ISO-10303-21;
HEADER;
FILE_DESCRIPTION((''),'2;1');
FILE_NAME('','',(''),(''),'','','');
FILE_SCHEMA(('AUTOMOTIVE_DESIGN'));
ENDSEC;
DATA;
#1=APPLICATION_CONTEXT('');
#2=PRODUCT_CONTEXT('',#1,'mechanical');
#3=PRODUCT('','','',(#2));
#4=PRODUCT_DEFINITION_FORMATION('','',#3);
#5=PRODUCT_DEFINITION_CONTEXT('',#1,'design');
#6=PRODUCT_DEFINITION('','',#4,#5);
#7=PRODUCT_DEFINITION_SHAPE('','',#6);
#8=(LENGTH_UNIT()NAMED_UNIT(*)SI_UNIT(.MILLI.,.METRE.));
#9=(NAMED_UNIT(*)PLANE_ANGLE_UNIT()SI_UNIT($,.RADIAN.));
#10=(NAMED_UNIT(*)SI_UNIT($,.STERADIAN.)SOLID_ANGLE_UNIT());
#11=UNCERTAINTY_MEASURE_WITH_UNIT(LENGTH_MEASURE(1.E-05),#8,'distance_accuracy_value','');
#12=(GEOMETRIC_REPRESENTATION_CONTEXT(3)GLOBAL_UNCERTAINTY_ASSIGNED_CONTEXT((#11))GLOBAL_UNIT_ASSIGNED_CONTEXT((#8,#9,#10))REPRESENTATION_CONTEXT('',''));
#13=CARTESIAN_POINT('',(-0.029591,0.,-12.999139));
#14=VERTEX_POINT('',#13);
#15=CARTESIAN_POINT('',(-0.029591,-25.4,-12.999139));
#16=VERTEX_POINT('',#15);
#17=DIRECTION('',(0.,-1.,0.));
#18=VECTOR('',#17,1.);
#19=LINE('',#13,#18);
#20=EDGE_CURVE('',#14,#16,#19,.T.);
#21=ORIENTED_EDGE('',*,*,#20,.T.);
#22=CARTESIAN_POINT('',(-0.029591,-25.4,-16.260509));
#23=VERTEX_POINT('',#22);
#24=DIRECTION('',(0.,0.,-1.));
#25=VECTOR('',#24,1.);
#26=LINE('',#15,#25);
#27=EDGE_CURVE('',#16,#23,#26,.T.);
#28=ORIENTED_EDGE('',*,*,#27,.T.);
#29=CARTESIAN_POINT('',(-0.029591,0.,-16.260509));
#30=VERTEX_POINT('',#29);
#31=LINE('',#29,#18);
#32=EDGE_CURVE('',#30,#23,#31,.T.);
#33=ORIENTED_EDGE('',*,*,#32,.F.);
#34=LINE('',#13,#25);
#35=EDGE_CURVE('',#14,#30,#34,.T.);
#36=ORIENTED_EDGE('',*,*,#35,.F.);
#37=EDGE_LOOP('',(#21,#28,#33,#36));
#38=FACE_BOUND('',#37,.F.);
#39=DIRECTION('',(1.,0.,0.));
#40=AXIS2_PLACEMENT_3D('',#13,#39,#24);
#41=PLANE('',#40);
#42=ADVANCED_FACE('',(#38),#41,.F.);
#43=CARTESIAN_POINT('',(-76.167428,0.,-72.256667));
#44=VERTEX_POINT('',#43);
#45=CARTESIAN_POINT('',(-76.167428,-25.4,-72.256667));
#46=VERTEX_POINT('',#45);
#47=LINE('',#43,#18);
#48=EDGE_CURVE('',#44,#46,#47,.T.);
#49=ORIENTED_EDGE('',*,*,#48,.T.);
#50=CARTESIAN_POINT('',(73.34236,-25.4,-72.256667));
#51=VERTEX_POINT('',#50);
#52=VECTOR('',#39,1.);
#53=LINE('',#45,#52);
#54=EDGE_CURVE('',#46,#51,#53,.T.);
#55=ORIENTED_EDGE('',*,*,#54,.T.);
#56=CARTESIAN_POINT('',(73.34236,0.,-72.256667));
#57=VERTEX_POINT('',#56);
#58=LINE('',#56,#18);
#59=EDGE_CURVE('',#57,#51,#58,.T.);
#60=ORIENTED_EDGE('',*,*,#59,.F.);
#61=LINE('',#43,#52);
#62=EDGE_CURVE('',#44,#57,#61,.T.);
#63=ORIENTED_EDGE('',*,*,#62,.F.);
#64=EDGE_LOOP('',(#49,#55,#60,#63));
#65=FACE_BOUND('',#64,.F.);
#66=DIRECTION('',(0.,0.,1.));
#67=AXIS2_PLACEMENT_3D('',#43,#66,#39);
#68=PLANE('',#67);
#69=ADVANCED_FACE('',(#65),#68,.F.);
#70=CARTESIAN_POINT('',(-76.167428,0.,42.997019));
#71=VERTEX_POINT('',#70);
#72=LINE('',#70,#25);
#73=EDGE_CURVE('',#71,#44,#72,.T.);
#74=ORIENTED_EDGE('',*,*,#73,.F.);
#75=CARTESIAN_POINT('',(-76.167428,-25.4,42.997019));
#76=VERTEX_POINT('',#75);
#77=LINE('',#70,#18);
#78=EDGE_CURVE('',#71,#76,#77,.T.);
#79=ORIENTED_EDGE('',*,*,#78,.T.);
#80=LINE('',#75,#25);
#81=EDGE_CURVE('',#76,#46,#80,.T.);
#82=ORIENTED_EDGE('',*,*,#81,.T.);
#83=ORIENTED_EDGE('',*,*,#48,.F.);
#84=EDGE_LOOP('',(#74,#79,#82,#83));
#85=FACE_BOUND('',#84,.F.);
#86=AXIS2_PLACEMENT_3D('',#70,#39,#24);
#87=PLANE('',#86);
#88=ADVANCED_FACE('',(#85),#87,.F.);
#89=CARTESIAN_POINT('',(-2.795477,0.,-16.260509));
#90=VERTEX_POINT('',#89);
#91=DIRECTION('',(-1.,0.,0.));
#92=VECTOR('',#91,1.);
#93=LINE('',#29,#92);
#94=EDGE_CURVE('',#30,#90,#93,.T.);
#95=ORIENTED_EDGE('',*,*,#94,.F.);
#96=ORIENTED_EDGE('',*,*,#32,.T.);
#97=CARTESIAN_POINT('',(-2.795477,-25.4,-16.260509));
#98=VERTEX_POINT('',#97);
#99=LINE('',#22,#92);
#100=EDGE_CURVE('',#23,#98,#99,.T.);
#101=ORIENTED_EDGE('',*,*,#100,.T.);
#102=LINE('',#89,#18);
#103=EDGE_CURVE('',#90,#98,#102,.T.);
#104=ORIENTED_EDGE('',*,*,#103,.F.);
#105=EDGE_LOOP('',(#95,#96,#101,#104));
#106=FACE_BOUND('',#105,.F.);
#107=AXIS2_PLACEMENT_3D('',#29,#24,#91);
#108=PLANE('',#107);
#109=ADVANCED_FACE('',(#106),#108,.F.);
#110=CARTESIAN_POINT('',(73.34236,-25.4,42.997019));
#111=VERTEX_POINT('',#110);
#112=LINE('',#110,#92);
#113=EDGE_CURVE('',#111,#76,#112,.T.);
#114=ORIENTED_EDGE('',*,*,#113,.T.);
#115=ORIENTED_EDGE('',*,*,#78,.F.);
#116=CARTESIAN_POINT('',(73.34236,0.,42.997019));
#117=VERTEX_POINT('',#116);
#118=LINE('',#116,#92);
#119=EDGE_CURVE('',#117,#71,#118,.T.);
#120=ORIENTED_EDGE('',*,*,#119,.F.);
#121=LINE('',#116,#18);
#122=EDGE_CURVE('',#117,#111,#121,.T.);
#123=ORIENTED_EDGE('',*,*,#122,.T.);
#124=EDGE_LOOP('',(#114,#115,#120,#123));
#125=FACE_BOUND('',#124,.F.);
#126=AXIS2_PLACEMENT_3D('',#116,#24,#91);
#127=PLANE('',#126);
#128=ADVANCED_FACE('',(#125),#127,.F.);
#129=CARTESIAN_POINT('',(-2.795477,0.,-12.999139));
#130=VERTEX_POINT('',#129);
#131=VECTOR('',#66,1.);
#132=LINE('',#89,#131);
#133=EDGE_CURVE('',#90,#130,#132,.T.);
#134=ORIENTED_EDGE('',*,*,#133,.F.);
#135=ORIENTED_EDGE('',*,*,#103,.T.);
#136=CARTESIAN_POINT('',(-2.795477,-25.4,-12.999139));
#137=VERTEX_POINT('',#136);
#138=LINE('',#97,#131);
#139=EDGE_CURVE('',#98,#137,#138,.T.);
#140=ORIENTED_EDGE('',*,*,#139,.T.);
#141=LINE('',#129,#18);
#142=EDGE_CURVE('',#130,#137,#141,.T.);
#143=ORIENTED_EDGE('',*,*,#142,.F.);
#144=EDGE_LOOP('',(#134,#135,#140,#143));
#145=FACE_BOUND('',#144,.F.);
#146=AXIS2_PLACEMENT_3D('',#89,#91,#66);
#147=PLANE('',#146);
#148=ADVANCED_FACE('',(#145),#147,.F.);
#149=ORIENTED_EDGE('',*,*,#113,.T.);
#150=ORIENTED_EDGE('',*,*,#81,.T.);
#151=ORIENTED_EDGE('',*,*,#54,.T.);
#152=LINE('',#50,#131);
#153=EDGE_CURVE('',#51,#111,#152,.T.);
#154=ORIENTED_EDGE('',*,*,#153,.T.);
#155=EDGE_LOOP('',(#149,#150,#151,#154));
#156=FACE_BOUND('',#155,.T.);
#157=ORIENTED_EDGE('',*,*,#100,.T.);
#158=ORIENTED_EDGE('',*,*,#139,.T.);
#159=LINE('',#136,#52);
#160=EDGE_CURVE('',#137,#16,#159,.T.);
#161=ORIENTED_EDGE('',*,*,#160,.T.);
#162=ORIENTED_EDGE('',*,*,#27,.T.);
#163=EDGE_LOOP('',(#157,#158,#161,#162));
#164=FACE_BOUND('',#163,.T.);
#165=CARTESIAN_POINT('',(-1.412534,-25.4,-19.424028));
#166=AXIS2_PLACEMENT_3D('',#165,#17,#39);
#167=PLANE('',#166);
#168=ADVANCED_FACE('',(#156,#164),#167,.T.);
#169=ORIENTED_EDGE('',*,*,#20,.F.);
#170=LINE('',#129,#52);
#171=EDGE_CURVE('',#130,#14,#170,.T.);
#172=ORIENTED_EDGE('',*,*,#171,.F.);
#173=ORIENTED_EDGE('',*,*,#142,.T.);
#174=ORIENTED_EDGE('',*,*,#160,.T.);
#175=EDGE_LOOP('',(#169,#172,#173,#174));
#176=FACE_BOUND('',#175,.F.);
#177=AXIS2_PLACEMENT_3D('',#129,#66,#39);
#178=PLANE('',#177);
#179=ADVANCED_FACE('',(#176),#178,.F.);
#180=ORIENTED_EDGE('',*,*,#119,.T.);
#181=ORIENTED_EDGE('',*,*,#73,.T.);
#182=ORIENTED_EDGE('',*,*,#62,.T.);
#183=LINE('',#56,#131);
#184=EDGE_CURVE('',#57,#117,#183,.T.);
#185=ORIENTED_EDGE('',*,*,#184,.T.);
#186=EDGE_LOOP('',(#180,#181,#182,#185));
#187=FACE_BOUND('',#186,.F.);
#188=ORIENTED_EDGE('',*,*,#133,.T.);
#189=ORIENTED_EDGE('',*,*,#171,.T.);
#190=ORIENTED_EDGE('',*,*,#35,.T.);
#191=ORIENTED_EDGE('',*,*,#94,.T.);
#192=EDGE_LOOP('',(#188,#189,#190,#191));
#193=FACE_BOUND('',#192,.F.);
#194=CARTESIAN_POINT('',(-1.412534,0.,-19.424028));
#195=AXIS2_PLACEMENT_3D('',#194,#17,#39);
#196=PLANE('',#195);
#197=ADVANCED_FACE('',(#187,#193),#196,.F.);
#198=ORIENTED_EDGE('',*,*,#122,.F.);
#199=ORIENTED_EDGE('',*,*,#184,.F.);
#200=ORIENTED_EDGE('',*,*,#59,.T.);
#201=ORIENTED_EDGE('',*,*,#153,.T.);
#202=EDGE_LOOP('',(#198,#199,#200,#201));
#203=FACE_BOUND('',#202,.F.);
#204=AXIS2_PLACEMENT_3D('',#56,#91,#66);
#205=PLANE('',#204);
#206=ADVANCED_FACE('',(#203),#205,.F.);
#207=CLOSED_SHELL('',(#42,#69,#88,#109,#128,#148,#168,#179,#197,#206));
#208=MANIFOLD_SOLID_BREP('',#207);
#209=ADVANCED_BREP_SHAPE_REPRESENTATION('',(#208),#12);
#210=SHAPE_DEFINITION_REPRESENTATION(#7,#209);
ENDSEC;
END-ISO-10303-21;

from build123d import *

# Parameters (mm, degrees)
F1_DEPTH = 25.4
F2_DEPTH = 25.4
F3_DEPTH = 25.4
F4_DEPTH = 25.4
F5_DEPTH = 25.4
F6_DEPTH = 25.4
F7_DEPTH = 25.4
F8_DEPTH = 25.4


with BuildPart() as f1:
    # F0 (on Front) → F1 (new body)
    with BuildSketch(Plane.XZ):
        Polygon((-66.7927114991, 33.1945642829), (-64.1307688012, 33.1945642829), (-76.1674283869, 42.9970185669), (-76.1674283869, -72.256666741), (-64.1307688012, -62.4542124569), (-66.7927114991, -62.4542124569), align=None)
        Polygon((-64.1307688012, 33.1945642829), (61.9984398217, 33.1945642829), (73.3423603098, 42.9970185669), (-76.1674283869, 42.9970185669), align=None)
        Polygon((73.3423603098, 42.9970185669), (61.9984398217, 33.1945642829), (63.9676434221, 33.1945642829), (63.9676434221, -62.4542124569), (61.3057007242, -62.4542124569), (73.3423603098, -72.256666741), align=None)
        Polygon((73.3423603098, -72.256666741), (61.3057007242, -62.4542124569), (-64.1307688012, -62.4542124569), (-76.1674283869, -72.256666741), align=None)
    extrude(amount=F1_DEPTH)

    # F0 (on Front) → F2 (join)
    with BuildSketch(Plane.XZ):
        Polygon((-56.703176233, 23.9121932536), (-52.7327314332, 23.9121932536), (-64.1307688012, 33.1945642829), (-66.7927114991, 33.1945642829), (-66.7927114991, -62.4542124569), (-64.1307688012, -62.4542124569), (-52.7327314332, -53.1718414277), (-56.703176233, -53.1718414277), align=None)
        Polygon((-52.7327314332, 23.9121932536), (51.2563872861, 23.9121932536), (61.9984398217, 33.1945642829), (-64.1307688012, 33.1945642829), align=None)
        Polygon((61.9984398217, 33.1945642829), (51.2563872861, 23.9121932536), (53.8781081559, 23.9121932536), (53.8781081559, -53.1718414277), (49.9076633562, -53.1718414277), (61.3057007242, -62.4542124569), (63.9676434221, -62.4542124569), (63.9676434221, 33.1945642829), align=None)
        Polygon((61.3057007242, -62.4542124569), (49.9076633562, -53.1718414277), (-52.7327314332, -53.1718414277), (-64.1307688012, -62.4542124569), align=None)
    extrude(amount=F2_DEPTH)

    # F0 (on Front) → F3 (join)
    with BuildSketch(Plane.XZ):
        Polygon((-47.0172277419, 15.8405667171), (-42.8213951385, 15.8405667171), (-52.7327314332, 23.9121932536), (-56.703176233, 23.9121932536), (-56.703176233, -53.1718414277), (-52.7327314332, -53.1718414277), (-42.8213951385, -45.1002148911), (-47.0172277419, -45.1002148911), align=None)
        Polygon((-42.8213951385, 15.8405667171), (41.9154725532, 15.8405667171), (51.2563872861, 23.9121932536), (-52.7327314332, 23.9121932536), align=None)
        Polygon((51.2563872861, 23.9121932536), (41.9154725532, 15.8405667171), (44.1921596648, 15.8405667171), (44.1921596648, -45.1002148911), (39.9963270614, -45.1002148911), (49.9076633562, -53.1718414277), (53.8781081559, -53.1718414277), (53.8781081559, 23.9121932536), align=None)
        Polygon((49.9076633562, -53.1718414277), (39.9963270614, -45.1002148911), (-42.8213951385, -45.1002148911), (-52.7327314332, -53.1718414277), align=None)
    extrude(amount=F3_DEPTH)

    # F0 (on Front) → F4 (join)
    with BuildSketch(Plane.XZ):
        Polygon((-37.73485485, 9.7868470475), (-35.3878932033, 9.7868470475), (-42.8213951385, 15.8405667171), (-47.0172277419, 15.8405667171), (-47.0172277419, -45.1002148911), (-42.8213951385, -45.1002148911), (-35.3878932033, -39.0464952216), (-37.73485485, -39.0464952216), align=None)
        Polygon((-35.3878932033, 9.7868470475), (34.9097867729, 9.7868470475), (41.9154725532, 15.8405667171), (-42.8213951385, 15.8405667171), align=None)
        Polygon((41.9154725532, 15.8405667171), (34.9097867729, 9.7868470475), (34.9097867729, -39.0464952216), (32.5628251262, -39.0464952216), (39.9963270614, -45.1002148911), (44.1921596648, -45.1002148911), (44.1921596648, 15.8405667171), align=None)
        Polygon((39.9963270614, -45.1002148911), (32.5628251262, -39.0464952216), (-35.3878932033, -39.0464952216), (-42.8213951385, -45.1002148911), align=None)
    extrude(amount=F4_DEPTH)

    # F0 (on Front) → F5 (join)
    with BuildSketch(Plane.XZ):
        Polygon((-23.3703981031, -29.259648174), (-23.3703981031, 0), (-35.3878932033, 9.7868470475), (-37.73485485, 9.7868470475), (-37.73485485, -39.0464952216), (-35.3878932033, -39.0464952216), align=None)
        Polygon((-11.5020675585, 0), (13.5026567167, 0), (20.545330026, 0), (34.9097867729, 9.7868470475), (-35.3878932033, 9.7868470475), (-23.3703981031, 0), align=None)
        Polygon((34.9097867729, 9.7868470475), (20.545330026, 0), (20.545330026, -29.259648174), (32.5628251262, -39.0464952216), (34.9097867729, -39.0464952216), align=None)
        Polygon((32.5628251262, -39.0464952216), (20.545330026, -29.259648174), (-23.3703981031, -29.259648174), (-35.3878932033, -39.0464952216), align=None)
    extrude(amount=F5_DEPTH)

    # F0 (on Front) → F6 (join)
    with BuildSketch(Plane.XZ):
        Polygon((-16.3277247938, -2.6278241763), (-23.3703981031, 0), (-23.3703981031, -29.259648174), (-16.3277247938, -26.6318239978), align=None)
        Polygon((20.545330026, 0), (13.5026567167, 0), (-11.5020675585, 0), (-23.3703981031, 0), (-16.3277247938, -2.6278241763), (13.5026567167, -2.6278241763), align=None)
        Polygon((20.545330026, -29.259648174), (20.545330026, 0), (13.5026567167, -2.6278241763), (13.5026567167, -26.6318239978), align=None)
        Polygon((-23.3703981031, -29.259648174), (20.545330026, -29.259648174), (13.5026567167, -26.6318239978), (-16.3277247938, -26.6318239978), align=None)
    extrude(amount=F6_DEPTH)

    # F0 (on Front) → F7 (join)
    with BuildSketch(Plane.XZ):
        Polygon((-5.8775561365, -8.2857954661), (-16.3277247938, -2.6278241763), (-16.3277247938, -26.6318239978), (-7.8231978195, -20.973852708), (-7.8231978195, -8.2857954661), align=None)
        Polygon((4.9981297424, -8.2857954661), (13.5026567167, -2.6278241763), (-16.3277247938, -2.6278241763), (-5.8775561365, -8.2857954661), align=None)
        Polygon((13.5026567167, -26.6318239978), (13.5026567167, -2.6278241763), (4.9981297424, -8.2857954661), (4.9981297424, -20.973852708), align=None)
        Polygon((-16.3277247938, -26.6318239978), (13.5026567167, -26.6318239978), (4.9981297424, -20.973852708), (-7.8231978195, -20.973852708), align=None)
    extrude(amount=F7_DEPTH)

    # F0 (on Front) → F8 (join)
    with BuildSketch(Plane.XZ):
        Polygon((-7.8231978195, -20.973852708), (4.9981297424, -20.973852708), (-0.0295912258, -16.2605091053), (-2.7954768513, -16.2605091053), align=None)
        Polygon((-7.8231978195, -8.2857954661), (-7.8231978195, -20.973852708), (-2.7954768513, -16.2605091053), (-2.7954768513, -12.9991390688), align=None)
        Polygon((-0.0295912258, -12.9991390688), (4.9981297424, -8.2857954661), (-5.8775561365, -8.2857954661), (-7.8231978195, -8.2857954661), (-2.7954768513, -12.9991390688), align=None)
        Polygon((4.9981297424, -20.973852708), (4.9981297424, -8.2857954661), (-0.0295912258, -12.9991390688), (-0.0295912258, -16.2605091053), align=None)
    extrude(amount=F8_DEPTH)


solid = f1.part
